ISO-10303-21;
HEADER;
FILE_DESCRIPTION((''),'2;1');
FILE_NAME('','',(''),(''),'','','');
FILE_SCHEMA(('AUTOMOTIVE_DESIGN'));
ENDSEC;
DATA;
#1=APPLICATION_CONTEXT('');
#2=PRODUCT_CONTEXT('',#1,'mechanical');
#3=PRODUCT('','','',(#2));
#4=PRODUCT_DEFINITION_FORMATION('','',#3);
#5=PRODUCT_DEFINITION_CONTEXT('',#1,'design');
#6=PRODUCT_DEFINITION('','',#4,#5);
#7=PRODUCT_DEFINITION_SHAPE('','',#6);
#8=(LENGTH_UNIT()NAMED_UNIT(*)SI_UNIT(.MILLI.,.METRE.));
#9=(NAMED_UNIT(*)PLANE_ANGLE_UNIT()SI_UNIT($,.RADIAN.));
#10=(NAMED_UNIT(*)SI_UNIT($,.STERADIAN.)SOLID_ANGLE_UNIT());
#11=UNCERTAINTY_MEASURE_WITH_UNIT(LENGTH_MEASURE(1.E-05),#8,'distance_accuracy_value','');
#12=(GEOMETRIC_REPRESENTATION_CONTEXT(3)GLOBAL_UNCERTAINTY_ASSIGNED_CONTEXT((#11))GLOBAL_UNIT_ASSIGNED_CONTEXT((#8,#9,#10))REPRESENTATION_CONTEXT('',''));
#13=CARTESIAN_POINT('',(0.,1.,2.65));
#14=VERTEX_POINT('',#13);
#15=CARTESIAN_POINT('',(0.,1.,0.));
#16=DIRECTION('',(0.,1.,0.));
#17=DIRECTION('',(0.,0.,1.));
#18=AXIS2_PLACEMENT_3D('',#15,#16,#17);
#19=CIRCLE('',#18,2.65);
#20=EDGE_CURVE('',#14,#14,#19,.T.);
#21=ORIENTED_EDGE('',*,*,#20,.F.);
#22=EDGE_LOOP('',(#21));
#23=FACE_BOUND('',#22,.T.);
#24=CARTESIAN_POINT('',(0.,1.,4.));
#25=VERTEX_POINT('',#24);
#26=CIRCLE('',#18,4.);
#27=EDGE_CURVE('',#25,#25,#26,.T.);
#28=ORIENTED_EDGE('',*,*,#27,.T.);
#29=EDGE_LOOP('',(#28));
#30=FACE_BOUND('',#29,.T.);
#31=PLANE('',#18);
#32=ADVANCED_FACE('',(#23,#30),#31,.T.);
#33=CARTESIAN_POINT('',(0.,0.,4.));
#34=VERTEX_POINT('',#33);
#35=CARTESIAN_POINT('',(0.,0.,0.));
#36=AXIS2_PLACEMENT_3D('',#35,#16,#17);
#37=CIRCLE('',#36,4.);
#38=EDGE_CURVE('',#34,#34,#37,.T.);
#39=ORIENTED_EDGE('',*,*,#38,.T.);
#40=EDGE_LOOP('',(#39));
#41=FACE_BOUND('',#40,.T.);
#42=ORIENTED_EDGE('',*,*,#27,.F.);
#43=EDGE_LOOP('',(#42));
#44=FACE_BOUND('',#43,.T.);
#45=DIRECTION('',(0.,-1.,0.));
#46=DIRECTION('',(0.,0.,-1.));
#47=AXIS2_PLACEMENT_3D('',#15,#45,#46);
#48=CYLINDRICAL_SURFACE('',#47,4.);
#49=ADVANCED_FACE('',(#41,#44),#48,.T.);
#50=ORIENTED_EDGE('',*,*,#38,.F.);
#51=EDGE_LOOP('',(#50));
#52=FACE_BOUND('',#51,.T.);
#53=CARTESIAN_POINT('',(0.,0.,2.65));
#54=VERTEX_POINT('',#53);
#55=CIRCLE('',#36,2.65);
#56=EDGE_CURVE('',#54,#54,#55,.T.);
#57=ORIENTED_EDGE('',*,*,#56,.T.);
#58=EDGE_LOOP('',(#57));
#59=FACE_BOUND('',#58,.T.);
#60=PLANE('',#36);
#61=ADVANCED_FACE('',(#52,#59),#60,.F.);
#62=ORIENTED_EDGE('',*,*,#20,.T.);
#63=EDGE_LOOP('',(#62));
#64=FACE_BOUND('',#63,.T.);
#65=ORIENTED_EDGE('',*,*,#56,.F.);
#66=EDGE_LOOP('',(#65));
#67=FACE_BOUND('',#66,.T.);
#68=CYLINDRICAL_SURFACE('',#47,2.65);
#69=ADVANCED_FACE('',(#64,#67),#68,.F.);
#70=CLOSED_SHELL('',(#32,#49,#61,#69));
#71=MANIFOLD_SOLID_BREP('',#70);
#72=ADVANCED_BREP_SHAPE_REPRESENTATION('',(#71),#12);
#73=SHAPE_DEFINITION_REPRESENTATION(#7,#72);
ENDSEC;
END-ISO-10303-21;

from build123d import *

# Parameters (mm, degrees)
SKETCH1_R           = 4
SKETCH1_R_2         = 2.65
BOSS_EXTRUDE1_DEPTH = 1


with BuildPart() as part:
    # Sketch1 → Boss-Extrude1 (new body)
    with BuildSketch(Plane(origin=(0, 0, 0), x_dir=(1, 0, 0), z_dir=(0, 1, 0))):
        Circle(SKETCH1_R)
        Circle(SKETCH1_R_2, mode=Mode.SUBTRACT)
    extrude(amount=BOSS_EXTRUDE1_DEPTH)


solid = part.part
